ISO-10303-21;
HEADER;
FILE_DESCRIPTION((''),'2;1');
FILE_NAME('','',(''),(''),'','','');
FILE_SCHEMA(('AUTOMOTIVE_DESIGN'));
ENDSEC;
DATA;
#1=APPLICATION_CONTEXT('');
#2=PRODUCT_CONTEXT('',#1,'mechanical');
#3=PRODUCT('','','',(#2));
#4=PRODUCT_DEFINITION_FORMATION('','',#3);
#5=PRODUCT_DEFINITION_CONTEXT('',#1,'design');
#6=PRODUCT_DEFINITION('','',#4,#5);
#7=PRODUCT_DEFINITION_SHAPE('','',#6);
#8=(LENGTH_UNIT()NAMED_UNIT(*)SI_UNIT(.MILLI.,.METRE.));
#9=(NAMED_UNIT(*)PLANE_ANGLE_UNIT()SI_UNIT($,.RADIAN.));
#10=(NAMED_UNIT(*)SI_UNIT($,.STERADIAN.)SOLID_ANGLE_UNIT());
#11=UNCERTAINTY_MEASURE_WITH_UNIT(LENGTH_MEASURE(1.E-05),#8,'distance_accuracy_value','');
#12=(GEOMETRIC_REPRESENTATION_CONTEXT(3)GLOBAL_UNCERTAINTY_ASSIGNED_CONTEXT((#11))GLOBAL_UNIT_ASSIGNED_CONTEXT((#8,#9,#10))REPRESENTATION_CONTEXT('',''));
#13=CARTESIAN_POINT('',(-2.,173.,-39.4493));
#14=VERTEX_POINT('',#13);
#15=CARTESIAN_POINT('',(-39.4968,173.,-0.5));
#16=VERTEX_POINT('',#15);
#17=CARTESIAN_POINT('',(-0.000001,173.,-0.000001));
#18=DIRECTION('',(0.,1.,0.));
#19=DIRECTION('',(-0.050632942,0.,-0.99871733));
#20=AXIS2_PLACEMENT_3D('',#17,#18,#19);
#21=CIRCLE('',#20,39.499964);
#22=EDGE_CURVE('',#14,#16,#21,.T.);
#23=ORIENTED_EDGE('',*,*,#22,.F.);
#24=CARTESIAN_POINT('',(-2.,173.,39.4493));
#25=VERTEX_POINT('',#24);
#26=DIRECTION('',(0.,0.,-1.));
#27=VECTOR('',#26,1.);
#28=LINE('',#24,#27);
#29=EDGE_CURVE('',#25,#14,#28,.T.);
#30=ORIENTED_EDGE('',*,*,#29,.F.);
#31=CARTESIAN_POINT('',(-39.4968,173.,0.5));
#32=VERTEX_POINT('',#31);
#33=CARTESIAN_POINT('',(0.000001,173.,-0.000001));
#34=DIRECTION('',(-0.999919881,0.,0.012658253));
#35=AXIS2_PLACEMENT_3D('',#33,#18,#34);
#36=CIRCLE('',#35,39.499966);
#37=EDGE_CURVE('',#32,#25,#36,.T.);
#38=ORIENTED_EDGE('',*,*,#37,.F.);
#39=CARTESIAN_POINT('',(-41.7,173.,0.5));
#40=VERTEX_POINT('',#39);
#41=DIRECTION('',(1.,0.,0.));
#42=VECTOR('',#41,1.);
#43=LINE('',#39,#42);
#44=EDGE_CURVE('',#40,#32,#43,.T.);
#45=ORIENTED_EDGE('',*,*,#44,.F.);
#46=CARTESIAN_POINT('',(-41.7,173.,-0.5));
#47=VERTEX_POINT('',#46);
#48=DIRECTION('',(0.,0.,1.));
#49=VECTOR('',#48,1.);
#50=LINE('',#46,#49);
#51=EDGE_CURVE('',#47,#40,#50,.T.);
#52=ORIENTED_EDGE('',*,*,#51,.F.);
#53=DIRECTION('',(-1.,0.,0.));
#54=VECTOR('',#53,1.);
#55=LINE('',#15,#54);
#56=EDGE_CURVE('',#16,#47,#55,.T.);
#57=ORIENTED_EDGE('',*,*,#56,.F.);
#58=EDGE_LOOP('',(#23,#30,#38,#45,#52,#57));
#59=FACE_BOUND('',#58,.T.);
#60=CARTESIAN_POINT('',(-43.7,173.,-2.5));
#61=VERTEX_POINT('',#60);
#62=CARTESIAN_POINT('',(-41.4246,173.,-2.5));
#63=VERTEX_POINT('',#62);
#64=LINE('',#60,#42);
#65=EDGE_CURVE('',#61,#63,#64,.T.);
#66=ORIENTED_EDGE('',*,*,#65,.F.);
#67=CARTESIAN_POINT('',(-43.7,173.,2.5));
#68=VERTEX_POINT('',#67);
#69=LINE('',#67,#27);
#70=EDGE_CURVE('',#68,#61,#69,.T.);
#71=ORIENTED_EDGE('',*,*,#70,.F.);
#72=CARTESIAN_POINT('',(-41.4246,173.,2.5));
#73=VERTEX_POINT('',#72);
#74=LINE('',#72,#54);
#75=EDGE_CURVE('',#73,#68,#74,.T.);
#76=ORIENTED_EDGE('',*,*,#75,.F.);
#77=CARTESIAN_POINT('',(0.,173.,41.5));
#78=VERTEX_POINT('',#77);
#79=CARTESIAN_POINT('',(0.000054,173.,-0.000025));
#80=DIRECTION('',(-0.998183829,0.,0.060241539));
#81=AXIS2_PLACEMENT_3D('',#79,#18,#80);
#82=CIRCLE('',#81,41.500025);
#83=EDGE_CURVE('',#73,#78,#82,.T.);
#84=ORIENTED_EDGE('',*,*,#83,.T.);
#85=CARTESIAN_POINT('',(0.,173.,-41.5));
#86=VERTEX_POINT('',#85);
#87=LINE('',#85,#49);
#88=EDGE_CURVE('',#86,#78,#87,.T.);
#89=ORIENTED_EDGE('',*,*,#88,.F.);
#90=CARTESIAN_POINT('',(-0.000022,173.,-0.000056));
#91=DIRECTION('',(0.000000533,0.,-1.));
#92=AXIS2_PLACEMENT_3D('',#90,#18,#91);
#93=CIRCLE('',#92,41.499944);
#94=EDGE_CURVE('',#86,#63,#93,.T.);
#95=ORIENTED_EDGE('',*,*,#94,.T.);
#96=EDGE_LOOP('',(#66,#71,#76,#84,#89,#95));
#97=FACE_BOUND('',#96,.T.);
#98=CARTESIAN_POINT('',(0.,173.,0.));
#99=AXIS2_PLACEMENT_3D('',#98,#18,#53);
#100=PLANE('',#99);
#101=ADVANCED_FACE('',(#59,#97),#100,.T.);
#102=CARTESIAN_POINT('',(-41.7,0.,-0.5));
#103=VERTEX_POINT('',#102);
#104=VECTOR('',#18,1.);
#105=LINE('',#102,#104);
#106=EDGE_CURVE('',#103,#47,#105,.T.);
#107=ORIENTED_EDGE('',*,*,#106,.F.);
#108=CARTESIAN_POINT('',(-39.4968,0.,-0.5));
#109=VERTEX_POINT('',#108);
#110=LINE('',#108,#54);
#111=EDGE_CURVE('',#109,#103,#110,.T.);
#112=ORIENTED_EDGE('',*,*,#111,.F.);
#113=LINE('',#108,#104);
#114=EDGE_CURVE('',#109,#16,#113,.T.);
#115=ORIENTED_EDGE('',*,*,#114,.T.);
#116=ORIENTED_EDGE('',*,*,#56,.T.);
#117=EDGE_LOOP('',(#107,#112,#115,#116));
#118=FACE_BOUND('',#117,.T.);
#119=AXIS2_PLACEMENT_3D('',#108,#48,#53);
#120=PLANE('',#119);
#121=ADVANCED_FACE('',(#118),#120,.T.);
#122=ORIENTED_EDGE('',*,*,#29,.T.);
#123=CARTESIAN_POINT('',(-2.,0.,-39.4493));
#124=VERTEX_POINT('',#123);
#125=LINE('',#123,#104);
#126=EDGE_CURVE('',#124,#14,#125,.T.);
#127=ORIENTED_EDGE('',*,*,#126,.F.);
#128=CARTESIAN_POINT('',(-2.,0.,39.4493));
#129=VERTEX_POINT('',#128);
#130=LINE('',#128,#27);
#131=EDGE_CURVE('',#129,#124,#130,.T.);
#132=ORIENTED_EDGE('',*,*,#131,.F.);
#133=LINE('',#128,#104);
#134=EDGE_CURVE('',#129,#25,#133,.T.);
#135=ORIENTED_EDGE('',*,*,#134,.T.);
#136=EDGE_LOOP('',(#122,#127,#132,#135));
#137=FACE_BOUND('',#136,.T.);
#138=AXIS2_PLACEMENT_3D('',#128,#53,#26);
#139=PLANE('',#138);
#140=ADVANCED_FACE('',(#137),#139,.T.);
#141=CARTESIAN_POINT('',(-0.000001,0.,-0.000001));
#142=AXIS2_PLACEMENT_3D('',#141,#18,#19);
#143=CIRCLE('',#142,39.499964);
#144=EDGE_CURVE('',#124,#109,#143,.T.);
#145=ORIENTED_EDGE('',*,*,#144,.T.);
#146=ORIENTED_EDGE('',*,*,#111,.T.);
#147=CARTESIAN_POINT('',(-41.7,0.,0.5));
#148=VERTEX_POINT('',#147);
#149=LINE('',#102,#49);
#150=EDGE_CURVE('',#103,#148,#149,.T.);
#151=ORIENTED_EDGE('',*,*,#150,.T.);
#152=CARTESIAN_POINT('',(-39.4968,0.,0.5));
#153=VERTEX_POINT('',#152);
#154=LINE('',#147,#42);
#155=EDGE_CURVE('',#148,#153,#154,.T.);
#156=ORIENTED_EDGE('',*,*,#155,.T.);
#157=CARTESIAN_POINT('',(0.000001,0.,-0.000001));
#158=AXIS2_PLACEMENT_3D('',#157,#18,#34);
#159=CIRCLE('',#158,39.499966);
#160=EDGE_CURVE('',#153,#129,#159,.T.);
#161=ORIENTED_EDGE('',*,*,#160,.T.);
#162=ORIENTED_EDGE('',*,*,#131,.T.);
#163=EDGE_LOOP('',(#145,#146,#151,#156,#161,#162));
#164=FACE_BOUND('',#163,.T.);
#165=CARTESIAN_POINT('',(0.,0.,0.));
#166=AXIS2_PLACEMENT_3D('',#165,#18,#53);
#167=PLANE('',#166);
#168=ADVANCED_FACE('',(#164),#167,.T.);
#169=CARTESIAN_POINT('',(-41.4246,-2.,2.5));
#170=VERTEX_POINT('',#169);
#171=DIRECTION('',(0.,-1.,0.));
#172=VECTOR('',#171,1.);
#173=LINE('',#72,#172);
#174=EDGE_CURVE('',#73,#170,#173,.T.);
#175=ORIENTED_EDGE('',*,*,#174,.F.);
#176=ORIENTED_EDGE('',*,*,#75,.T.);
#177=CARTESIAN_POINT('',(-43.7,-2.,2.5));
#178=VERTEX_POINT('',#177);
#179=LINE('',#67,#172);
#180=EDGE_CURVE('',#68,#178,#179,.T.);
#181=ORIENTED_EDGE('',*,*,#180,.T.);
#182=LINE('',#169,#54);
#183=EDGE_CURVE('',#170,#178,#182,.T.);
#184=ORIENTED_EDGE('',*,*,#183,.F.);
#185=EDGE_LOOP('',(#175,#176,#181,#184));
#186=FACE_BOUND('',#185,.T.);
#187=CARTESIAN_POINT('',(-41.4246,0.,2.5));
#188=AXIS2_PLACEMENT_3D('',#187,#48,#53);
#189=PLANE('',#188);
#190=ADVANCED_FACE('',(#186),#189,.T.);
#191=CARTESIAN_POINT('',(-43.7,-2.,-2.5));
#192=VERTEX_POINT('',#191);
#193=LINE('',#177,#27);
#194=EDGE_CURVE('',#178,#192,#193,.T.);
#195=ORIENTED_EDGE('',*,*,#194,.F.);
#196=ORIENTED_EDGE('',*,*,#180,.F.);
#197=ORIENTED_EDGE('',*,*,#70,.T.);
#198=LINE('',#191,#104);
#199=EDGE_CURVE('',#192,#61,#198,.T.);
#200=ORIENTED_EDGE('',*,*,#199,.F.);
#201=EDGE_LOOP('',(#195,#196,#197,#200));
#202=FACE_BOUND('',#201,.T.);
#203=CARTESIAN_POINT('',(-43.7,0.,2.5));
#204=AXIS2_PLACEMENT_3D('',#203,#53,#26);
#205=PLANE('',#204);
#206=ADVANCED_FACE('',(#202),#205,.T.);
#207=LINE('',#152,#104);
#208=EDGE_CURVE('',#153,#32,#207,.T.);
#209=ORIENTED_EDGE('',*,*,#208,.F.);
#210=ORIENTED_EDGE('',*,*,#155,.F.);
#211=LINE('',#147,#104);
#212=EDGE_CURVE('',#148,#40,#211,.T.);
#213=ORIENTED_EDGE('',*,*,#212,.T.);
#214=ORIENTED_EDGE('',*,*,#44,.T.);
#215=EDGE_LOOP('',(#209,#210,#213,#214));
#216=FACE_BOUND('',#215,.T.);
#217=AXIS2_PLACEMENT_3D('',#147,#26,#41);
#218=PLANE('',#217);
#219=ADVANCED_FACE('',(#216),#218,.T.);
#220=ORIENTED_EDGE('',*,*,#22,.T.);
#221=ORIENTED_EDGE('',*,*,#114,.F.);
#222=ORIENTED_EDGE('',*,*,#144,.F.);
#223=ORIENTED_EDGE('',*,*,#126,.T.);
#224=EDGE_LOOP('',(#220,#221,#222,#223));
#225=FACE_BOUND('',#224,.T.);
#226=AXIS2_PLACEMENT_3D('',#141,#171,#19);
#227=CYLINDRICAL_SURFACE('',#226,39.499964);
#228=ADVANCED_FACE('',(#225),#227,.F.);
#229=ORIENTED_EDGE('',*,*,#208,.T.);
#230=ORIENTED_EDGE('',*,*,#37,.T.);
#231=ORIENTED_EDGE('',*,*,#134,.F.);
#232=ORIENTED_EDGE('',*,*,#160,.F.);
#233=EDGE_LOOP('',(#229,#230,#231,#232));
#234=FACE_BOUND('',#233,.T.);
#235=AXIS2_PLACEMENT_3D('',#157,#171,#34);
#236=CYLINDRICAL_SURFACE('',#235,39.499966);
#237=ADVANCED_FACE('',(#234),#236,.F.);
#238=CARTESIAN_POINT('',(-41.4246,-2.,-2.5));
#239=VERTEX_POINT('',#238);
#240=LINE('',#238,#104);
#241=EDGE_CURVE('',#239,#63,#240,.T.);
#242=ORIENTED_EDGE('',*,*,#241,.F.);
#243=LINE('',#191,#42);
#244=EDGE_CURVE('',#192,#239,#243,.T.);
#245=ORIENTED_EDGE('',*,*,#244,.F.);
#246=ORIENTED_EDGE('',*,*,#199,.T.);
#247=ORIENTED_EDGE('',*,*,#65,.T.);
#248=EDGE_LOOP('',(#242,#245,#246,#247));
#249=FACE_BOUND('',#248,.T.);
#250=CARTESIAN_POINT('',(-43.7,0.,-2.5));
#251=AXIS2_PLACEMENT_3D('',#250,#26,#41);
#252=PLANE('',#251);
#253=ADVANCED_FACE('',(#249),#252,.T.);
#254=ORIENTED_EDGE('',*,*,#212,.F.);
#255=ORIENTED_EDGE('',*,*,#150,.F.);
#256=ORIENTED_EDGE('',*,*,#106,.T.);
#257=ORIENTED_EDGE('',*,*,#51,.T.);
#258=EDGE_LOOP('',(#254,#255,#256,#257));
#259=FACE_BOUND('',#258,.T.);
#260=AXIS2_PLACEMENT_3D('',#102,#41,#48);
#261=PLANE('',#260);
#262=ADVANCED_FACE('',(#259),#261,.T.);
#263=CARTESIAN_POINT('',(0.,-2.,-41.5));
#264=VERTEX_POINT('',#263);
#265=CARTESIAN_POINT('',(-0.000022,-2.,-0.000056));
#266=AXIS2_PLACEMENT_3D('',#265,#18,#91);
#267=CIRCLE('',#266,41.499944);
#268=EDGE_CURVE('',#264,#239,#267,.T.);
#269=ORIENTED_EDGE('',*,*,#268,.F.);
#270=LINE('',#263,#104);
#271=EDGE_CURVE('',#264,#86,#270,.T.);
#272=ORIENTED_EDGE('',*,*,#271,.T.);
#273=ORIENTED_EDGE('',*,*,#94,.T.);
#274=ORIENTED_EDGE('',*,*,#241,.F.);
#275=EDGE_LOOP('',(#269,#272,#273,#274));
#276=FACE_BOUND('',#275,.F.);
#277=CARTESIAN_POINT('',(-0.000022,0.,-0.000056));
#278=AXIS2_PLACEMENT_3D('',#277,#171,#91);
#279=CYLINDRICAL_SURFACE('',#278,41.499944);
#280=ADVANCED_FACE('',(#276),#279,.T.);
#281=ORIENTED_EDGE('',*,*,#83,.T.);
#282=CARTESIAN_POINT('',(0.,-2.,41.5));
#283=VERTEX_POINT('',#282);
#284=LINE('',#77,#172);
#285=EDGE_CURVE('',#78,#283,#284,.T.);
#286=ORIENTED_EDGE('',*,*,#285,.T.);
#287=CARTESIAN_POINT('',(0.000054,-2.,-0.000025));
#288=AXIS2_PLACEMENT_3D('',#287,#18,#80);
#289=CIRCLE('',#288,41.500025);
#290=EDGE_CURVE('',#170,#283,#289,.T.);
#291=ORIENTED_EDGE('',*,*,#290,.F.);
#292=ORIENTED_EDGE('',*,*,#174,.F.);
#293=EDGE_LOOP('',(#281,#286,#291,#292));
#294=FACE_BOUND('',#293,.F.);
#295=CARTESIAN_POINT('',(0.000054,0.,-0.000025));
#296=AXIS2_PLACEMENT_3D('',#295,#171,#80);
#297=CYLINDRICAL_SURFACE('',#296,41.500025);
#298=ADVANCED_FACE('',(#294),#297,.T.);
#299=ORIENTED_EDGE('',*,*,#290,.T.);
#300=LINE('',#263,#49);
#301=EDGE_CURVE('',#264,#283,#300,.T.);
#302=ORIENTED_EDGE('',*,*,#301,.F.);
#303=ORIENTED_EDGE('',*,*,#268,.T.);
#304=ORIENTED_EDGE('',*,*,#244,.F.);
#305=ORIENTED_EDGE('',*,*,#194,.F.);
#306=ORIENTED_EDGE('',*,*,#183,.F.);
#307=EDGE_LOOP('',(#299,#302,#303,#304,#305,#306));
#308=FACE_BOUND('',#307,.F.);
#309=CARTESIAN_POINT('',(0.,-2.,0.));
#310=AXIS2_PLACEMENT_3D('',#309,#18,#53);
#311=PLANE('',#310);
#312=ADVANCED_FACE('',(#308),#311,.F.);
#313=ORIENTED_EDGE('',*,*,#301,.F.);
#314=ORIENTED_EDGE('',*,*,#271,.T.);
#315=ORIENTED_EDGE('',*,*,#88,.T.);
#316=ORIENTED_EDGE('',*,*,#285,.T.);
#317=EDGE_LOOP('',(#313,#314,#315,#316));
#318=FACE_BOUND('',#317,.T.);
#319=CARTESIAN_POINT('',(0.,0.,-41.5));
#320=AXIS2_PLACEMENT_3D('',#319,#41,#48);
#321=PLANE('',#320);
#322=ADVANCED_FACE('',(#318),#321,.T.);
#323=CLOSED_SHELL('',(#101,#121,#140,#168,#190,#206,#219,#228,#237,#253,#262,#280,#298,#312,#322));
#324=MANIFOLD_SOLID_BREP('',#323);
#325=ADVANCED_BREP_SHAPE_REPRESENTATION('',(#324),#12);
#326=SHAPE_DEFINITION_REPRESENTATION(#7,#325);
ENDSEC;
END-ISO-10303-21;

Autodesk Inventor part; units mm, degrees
ref_plane "YZ Plane" through (0, 0, 0) normal (1, 0, 0) x (0, 1, 0)
ref_plane "XZ Plane" through (0, 0, 0) normal (0, 1, 0) x (-1, 0, 0)
ref_plane "XY Plane" through (0, 0, 0) normal (0, 0, 1) x (1, 0, 0)
sketch "Sketch1" plane through (0, 0, 0) normal (0, 1, 0) x (-1, 0, 0)
  arc A0 (41.4246, 2.5) -> (41.4246, -2.5) centre (0, 0) ccw construction
  line L0 (0, -41.5) -> (0, 41.5)
  line L1 (0, 0) -> (41.5, 0) construction
  line L2 (41.4246, 2.5) -> (43.7, 2.5)
  line L3 (43.7, 2.5) -> (43.7, -2.5)
  line L4 (43.7, -2.5) -> (41.4246, -2.5)
  line L5 (39.3, 2.5) -> (43.7, -2.5) construction
  line L6 (43.7, 2.5) -> (39.3, -2.5) construction
  arc A1 (0, -41.5) -> (41.4246, -2.5) centre (0, 0) ccw
  arc A2 (41.4246, 2.5) -> (0, 41.5) centre (0, 0) ccw
  line L7 (41.4246, -2.5) -> (41.4246, 2.5) construction
  line L8 (2, 39.4493) -> (2, -39.4493)
  arc A3 (2, -39.4493) -> (39.4968, -0.5) centre (0, 0) ccw
  line L9 (39.4968, -0.5) -> (41.7, -0.5)
  line L10 (41.7, -0.5) -> (41.7, 0.5)
  line L11 (41.7, 0.5) -> (39.4968, 0.5)
  arc A4 (39.4968, 0.5) -> (2, 39.4493) centre (0, 0) ccw
  dimension "d0" = 83
  dimension "d1" = 83
  dimension "d2" = 5
  dimension "d4" = 2.2
  dimension "d5" = 41.5
  dimension "d6" = 2
extrude "Extrusion1" add sketch "Sketch1" against normal blind 2 contours L0 A2 L2 L3 L4 A1 | A4 L11 L10 L9 A3 L8
extrude "Extrusion2" add sketch "Sketch1" along normal blind 173
properties part number "Deposito_Líquido" material "PET Plastic"
